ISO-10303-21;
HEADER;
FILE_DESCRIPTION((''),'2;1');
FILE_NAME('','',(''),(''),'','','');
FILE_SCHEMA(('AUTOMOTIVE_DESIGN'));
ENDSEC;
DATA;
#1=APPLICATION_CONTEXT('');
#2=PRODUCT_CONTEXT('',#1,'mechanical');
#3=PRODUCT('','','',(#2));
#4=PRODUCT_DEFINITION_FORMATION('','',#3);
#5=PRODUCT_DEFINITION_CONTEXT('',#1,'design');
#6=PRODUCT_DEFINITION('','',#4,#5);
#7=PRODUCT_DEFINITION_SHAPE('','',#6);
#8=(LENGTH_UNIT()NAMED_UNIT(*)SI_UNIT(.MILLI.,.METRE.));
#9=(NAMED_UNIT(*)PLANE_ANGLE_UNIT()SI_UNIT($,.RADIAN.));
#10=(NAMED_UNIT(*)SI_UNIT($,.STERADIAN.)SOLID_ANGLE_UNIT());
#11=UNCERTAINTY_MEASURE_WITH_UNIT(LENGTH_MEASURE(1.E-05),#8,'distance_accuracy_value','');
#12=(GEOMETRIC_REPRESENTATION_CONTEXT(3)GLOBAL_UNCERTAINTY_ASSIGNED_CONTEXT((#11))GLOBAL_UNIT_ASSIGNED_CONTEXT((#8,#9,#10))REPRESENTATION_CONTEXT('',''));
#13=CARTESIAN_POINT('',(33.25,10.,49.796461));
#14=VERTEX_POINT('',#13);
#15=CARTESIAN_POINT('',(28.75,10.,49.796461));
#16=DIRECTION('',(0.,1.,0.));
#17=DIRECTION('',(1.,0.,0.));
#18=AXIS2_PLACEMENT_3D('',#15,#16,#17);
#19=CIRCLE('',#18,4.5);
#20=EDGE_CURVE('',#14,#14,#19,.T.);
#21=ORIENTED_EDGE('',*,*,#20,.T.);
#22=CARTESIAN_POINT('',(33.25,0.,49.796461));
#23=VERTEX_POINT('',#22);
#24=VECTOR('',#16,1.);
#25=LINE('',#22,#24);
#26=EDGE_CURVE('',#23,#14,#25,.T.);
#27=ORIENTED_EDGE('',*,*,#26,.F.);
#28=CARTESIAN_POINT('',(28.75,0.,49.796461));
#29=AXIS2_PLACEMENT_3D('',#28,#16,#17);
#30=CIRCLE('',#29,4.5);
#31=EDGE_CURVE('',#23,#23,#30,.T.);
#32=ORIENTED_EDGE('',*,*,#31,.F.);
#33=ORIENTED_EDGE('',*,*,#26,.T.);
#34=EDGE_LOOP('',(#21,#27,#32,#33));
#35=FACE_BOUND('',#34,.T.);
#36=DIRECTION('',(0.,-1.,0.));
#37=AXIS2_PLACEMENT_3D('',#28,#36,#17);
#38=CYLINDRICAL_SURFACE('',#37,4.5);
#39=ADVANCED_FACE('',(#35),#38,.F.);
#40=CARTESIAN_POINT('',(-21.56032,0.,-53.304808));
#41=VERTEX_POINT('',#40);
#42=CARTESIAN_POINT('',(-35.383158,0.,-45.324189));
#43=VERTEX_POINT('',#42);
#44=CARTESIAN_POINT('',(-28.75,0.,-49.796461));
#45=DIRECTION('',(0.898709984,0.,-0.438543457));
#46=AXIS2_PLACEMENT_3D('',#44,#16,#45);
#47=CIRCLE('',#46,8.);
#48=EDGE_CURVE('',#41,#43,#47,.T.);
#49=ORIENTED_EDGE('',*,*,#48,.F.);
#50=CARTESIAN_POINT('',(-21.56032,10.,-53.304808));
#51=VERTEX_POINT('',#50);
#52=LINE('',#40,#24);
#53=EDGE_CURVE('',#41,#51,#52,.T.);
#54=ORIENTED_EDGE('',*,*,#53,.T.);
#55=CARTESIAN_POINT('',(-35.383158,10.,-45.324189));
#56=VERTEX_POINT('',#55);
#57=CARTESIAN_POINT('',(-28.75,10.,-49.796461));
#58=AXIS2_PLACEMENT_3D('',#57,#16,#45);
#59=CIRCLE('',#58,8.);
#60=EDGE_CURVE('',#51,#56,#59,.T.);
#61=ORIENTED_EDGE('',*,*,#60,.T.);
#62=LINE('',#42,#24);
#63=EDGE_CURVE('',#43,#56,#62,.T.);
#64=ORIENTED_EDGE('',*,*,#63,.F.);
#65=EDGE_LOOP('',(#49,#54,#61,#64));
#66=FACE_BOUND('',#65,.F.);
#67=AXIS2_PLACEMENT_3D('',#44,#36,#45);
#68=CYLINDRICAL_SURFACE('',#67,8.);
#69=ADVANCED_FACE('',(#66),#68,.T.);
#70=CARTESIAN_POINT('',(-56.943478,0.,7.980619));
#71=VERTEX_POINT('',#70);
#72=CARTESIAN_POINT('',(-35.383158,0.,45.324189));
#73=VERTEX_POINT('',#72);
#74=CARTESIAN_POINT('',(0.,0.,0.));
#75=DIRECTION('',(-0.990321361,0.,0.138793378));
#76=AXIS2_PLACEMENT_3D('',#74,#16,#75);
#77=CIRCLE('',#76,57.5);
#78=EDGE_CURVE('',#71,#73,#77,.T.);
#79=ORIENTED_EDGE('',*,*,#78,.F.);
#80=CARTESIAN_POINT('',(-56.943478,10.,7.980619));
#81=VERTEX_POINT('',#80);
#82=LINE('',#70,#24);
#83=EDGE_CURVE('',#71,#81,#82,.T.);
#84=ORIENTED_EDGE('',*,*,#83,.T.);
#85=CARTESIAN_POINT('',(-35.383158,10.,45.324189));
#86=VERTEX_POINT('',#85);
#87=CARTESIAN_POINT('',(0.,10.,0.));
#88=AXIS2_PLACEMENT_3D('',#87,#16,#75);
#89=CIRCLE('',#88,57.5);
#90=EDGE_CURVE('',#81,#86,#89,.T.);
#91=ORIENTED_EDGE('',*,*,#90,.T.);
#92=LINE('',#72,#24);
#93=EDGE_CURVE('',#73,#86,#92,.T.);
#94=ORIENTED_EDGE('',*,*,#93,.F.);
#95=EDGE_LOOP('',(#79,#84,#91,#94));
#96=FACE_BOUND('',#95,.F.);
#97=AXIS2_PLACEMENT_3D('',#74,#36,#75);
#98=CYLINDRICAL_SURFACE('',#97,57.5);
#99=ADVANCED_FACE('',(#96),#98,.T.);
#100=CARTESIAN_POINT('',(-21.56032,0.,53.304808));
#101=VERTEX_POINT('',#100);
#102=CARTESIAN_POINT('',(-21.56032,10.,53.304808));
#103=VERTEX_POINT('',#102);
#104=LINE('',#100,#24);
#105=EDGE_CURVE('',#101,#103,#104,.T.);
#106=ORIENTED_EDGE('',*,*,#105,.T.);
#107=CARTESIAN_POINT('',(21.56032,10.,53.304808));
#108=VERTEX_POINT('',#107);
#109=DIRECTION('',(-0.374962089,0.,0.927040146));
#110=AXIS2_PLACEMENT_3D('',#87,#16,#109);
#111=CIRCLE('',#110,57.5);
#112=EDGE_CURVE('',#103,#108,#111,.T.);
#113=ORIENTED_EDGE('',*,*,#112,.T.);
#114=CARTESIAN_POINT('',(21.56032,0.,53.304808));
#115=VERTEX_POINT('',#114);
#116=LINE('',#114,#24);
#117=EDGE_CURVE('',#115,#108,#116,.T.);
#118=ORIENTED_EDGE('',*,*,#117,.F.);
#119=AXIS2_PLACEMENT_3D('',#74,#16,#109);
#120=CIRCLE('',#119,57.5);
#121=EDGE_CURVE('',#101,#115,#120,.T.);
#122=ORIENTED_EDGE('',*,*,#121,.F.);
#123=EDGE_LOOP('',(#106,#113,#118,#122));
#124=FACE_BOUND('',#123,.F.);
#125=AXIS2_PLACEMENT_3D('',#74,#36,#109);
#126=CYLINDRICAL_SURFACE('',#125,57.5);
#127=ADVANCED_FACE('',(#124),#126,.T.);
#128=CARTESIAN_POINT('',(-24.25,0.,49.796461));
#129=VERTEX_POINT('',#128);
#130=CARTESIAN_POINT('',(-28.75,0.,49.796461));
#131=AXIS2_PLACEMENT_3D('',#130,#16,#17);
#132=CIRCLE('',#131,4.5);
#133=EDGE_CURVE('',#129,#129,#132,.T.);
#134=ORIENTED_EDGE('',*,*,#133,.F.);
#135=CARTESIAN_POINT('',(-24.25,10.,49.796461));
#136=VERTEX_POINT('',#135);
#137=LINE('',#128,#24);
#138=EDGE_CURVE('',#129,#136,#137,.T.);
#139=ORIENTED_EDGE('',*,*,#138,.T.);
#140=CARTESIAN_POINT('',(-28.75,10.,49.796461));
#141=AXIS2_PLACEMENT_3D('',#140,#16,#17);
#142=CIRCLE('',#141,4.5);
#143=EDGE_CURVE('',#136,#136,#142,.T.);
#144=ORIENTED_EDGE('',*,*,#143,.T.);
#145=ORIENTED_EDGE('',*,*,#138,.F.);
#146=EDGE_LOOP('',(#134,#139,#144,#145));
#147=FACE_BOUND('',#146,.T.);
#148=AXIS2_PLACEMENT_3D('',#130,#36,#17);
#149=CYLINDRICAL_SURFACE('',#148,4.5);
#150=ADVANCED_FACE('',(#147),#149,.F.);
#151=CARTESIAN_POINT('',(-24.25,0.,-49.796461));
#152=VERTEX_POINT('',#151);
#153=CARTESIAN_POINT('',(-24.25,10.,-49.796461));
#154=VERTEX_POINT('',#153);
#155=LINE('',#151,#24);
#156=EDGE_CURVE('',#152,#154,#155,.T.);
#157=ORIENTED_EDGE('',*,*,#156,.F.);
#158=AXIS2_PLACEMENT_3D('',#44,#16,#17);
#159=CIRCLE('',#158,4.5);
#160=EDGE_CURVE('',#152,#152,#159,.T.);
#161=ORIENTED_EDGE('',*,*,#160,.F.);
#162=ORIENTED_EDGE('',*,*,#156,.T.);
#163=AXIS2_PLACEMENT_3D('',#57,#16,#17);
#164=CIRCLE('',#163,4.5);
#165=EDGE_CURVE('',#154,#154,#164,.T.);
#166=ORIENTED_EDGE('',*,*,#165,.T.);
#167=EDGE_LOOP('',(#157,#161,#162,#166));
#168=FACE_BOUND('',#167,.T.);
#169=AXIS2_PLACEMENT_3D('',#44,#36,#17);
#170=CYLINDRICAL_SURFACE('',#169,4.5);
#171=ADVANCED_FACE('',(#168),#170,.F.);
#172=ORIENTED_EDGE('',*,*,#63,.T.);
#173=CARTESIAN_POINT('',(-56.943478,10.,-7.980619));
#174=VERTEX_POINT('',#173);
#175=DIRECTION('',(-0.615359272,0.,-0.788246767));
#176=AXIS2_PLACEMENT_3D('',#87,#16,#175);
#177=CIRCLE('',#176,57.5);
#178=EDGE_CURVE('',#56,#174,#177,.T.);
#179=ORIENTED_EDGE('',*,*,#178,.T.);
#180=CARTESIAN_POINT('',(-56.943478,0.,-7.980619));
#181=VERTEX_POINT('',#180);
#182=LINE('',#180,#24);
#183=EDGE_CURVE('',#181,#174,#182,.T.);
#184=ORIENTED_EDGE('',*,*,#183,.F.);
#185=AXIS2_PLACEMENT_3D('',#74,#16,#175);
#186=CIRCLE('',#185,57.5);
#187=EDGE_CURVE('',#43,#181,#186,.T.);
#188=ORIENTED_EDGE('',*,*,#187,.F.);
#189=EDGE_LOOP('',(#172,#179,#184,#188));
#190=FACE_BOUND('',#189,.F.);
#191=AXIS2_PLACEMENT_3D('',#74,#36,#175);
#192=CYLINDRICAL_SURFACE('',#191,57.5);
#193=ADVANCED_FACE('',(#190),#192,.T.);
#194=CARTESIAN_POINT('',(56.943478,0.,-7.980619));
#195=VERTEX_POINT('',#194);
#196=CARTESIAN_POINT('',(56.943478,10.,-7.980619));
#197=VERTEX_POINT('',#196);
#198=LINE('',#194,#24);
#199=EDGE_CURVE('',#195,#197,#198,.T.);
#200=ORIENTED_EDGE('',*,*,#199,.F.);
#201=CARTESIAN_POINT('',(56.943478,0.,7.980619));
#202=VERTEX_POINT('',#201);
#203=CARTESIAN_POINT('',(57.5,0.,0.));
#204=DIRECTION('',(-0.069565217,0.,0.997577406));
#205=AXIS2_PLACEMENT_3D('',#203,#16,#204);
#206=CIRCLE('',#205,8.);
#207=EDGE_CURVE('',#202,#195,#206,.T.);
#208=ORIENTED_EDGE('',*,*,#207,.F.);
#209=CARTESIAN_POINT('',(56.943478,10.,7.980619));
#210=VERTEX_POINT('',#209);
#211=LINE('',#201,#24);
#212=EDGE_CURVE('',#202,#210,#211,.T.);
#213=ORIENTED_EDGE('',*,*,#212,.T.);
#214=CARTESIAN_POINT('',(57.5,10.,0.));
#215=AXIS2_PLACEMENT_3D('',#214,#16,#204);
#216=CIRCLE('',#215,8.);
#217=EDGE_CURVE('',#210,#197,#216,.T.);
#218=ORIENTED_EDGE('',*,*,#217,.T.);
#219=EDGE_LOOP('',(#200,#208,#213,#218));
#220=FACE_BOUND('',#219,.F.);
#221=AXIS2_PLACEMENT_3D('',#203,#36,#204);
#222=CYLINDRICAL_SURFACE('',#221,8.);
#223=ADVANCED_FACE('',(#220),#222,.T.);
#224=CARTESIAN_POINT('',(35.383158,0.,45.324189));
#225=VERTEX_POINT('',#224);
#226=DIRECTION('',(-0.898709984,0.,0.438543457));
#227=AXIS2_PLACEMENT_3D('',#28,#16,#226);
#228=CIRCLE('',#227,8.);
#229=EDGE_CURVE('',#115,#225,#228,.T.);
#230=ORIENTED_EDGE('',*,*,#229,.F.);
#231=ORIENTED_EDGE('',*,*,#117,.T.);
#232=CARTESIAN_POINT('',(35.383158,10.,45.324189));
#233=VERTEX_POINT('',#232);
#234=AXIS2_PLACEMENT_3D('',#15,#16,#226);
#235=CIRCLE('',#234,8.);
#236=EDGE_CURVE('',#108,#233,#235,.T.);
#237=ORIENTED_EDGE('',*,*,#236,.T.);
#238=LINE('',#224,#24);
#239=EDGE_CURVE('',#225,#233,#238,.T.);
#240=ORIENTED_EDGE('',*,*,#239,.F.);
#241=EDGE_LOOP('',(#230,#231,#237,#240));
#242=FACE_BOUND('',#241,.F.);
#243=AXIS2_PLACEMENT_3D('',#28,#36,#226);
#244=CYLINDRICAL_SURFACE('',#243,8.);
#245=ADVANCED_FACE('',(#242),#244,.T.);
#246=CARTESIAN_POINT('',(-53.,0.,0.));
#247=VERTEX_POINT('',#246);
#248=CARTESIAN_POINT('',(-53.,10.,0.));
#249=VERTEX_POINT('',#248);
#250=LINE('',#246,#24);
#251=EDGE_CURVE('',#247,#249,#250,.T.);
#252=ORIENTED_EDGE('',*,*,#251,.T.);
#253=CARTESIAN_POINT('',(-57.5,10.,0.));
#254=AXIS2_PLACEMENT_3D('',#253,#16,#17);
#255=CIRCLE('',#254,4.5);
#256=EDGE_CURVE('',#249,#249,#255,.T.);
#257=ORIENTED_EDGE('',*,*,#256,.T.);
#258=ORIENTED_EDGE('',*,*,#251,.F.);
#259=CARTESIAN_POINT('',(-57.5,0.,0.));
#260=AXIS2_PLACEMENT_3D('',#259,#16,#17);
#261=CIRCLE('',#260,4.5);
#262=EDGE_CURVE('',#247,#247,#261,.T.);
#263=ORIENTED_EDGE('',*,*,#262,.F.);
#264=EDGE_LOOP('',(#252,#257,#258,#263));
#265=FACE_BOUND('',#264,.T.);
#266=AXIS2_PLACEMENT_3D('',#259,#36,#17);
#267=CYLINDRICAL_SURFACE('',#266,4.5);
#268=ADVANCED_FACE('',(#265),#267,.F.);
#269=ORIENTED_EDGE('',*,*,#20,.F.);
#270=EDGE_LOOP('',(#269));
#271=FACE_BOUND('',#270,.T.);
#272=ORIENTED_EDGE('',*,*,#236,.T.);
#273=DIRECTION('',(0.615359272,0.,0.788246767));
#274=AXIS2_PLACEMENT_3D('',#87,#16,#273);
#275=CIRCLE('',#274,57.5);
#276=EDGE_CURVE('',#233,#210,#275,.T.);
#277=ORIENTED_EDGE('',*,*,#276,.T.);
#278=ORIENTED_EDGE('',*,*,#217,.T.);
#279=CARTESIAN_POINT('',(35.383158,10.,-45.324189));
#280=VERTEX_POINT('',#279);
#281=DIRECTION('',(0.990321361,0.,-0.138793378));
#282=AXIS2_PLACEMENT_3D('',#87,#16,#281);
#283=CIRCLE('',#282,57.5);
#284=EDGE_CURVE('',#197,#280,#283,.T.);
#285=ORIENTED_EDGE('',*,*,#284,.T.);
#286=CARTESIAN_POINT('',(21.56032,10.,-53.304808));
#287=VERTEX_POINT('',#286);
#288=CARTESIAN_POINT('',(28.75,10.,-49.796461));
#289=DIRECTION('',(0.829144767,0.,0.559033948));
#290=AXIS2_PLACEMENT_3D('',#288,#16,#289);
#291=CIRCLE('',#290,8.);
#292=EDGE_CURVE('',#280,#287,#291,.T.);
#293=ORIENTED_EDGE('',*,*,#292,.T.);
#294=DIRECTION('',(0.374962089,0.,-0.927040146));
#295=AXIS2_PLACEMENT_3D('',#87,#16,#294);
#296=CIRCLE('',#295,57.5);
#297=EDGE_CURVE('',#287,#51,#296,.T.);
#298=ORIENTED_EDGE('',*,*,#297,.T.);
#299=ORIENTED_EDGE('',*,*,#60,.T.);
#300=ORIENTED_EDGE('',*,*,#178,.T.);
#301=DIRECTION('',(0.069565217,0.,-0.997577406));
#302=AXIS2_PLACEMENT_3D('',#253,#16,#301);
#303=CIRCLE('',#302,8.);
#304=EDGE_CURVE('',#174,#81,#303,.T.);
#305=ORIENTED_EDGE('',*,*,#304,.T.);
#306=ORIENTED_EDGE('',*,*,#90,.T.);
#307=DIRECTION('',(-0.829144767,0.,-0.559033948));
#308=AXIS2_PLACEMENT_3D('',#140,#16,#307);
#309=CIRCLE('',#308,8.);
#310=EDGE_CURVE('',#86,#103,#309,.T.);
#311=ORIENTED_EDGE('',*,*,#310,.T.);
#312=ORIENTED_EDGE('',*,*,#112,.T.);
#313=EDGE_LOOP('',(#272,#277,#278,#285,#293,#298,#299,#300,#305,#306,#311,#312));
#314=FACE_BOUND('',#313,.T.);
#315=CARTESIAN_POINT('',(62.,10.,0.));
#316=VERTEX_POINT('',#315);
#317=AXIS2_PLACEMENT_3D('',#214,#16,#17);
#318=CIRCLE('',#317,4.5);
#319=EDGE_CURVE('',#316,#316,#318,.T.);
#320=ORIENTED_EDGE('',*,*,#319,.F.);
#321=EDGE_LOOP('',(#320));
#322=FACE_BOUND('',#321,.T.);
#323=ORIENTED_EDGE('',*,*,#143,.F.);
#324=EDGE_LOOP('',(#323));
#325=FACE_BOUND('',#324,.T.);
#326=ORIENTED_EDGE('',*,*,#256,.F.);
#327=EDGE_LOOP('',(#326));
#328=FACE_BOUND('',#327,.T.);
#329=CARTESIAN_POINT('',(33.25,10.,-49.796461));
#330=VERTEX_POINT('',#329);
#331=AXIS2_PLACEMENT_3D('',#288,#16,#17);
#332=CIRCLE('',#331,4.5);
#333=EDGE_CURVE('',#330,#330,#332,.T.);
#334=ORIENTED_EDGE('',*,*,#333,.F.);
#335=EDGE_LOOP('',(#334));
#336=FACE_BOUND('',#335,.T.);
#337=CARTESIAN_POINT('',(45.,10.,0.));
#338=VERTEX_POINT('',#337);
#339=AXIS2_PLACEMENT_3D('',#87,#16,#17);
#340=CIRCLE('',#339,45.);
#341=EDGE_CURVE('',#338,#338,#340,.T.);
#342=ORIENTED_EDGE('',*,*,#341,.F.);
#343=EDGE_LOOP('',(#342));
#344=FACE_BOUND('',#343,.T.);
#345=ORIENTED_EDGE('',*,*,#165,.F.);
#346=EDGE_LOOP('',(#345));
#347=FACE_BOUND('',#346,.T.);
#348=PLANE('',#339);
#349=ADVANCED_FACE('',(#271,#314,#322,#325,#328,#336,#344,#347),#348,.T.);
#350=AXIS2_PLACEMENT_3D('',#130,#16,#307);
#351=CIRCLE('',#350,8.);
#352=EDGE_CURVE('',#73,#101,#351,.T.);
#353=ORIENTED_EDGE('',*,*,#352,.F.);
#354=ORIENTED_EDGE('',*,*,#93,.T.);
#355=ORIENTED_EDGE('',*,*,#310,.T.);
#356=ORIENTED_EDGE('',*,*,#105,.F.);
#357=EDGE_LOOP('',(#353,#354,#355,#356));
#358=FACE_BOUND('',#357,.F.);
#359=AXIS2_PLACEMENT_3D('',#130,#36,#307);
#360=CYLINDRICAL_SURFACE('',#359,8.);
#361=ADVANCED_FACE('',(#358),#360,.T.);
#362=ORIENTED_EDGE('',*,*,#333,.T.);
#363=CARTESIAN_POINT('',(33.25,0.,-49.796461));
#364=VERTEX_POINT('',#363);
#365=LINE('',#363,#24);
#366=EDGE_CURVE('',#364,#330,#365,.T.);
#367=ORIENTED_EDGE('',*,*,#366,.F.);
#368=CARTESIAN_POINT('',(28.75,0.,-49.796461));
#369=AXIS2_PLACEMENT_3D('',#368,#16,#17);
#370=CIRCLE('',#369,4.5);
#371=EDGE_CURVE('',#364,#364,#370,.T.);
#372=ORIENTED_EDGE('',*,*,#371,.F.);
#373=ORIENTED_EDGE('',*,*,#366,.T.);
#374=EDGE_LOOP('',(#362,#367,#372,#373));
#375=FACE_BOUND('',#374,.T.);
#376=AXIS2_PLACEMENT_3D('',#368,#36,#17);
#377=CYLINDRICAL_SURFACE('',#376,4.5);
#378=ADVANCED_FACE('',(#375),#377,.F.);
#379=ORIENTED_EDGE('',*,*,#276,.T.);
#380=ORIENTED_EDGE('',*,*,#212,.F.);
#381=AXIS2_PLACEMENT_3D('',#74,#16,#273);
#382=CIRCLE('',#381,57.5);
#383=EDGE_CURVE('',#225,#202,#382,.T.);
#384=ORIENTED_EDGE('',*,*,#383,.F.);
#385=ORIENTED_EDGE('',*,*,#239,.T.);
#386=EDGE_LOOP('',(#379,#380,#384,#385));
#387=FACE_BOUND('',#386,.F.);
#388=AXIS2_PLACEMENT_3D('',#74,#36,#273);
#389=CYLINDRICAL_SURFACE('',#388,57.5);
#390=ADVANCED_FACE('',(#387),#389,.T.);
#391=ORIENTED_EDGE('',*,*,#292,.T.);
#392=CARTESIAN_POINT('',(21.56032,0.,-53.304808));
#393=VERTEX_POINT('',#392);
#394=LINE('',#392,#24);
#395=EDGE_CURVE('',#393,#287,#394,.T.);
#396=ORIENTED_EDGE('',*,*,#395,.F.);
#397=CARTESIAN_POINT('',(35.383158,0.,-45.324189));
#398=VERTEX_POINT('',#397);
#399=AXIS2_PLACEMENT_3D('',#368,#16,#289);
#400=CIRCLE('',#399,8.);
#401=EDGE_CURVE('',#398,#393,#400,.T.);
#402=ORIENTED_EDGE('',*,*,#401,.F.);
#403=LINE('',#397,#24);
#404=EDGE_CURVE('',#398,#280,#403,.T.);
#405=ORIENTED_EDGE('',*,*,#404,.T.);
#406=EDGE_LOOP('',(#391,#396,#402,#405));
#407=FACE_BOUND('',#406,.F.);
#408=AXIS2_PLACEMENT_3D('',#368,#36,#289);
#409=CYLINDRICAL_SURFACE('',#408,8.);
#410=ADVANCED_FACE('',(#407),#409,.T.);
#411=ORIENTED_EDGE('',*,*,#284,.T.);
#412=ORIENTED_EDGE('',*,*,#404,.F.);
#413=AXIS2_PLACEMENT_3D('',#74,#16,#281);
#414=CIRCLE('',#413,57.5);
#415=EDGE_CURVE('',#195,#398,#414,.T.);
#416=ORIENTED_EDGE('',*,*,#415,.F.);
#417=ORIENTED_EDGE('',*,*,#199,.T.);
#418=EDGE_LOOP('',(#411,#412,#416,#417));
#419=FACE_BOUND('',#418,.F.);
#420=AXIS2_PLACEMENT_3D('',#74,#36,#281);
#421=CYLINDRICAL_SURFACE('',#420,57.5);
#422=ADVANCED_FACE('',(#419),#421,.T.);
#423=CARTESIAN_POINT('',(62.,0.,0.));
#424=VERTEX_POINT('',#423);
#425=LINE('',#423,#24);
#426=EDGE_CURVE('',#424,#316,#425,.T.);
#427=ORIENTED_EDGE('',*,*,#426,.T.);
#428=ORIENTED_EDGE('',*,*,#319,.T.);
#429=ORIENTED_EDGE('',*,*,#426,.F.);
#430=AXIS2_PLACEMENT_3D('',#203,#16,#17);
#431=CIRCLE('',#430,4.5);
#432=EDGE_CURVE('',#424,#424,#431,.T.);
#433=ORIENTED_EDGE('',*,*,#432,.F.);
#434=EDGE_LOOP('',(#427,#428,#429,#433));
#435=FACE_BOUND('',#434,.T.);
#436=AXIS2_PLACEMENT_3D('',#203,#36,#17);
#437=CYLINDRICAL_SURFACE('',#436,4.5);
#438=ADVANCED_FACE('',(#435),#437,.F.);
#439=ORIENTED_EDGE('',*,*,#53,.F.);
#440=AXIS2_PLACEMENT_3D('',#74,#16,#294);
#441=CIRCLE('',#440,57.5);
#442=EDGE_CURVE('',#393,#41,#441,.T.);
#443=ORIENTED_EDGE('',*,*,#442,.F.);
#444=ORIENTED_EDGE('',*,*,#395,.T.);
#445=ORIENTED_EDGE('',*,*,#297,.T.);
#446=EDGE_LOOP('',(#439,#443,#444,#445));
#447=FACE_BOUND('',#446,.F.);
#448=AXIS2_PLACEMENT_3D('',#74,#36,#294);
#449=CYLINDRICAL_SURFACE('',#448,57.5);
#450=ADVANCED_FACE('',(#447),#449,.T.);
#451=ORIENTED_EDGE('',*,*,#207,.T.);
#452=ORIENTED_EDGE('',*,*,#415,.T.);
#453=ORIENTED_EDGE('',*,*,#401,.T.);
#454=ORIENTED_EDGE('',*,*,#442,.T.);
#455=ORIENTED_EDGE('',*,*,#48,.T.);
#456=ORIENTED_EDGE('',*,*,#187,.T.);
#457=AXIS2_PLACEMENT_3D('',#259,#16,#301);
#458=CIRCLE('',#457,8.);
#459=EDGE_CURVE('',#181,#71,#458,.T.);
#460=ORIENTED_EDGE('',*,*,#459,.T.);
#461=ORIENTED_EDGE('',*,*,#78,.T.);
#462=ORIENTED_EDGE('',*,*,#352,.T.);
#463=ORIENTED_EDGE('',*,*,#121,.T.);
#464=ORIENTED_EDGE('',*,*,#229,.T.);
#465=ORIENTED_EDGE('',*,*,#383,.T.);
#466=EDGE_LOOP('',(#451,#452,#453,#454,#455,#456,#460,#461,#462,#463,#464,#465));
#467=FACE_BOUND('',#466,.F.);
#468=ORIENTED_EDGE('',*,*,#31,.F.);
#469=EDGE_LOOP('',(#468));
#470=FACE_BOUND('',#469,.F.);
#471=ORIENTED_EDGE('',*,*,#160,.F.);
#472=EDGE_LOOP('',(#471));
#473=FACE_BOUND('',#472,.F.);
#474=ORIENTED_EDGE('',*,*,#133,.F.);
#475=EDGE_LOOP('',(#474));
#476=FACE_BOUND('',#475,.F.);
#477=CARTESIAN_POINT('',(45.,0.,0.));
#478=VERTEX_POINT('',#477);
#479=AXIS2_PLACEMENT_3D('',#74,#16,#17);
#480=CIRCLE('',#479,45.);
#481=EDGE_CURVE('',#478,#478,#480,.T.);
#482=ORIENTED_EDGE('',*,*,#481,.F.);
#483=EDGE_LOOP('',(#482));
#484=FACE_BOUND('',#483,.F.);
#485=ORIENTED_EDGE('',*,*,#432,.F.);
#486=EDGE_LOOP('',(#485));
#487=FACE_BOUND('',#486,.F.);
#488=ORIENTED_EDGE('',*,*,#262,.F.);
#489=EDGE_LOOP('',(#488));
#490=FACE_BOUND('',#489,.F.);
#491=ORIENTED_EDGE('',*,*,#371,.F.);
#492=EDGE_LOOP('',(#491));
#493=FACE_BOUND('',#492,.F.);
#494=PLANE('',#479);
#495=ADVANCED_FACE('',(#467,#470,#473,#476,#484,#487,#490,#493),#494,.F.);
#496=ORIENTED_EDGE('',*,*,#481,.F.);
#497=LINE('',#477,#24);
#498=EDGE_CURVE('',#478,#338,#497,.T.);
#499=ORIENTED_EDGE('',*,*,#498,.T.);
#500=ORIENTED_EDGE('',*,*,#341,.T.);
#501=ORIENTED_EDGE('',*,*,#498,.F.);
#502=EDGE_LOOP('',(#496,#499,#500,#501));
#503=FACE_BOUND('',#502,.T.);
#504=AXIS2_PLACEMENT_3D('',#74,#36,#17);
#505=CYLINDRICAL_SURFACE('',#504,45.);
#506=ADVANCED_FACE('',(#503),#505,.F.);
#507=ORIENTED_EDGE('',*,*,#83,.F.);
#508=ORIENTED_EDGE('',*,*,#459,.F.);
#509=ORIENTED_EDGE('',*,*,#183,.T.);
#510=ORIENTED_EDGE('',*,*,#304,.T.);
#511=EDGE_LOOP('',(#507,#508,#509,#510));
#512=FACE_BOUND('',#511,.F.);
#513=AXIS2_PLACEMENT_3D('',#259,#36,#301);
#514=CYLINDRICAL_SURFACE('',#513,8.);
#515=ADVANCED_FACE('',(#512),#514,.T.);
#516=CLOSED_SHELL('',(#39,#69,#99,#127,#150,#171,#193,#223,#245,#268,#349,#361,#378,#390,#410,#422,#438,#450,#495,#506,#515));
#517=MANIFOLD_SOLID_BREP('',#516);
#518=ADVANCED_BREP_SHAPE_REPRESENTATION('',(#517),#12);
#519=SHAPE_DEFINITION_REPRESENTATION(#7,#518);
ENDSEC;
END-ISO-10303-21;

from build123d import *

# Parameters (mm, degrees)
SKETCH2_R           = 45
SKETCH2_R_2         = 4.5
BOSS_EXTRUDE1_DEPTH = 10


with BuildPart() as part:
    # Sketch2 → Boss-Extrude1 (new body)
    with BuildSketch(Plane(origin=(0, 0, 0), x_dir=(1, 0, 0), z_dir=(0, 1, 0))):
        with BuildLine():
            ThreePointArc((56.943478261, 7.980619246), (49.796460718, 28.75), (35.383158136, 45.324189131))
            ThreePointArc((35.383158136, 45.324189131), (32.75, 56.724663948), (21.560320125, 53.304808377))
            ThreePointArc((21.560320125, 53.304808377), (0, 57.5), (-21.560320125, 53.304808377))
            ThreePointArc((-21.560320125, 53.304808377), (-32.75, 56.724663948), (-35.383158136, 45.324189131))
            ThreePointArc((-35.383158136, 45.324189131), (-49.796460718, 28.75), (-56.943478261, 7.980619246))
            ThreePointArc((-56.943478261, 7.980619246), (-65.5, 0), (-56.943478261, -7.980619246))
            ThreePointArc((-56.943478261, -7.980619246), (-49.796460718, -28.75), (-35.383158136, -45.324189131))
            ThreePointArc((-35.383158136, -45.324189131), (-32.75, -56.724663948), (-21.560320125, -53.304808377))
            ThreePointArc((-21.560320125, -53.304808377), (0, -57.5), (21.560320125, -53.304808377))
            ThreePointArc((21.560320125, -53.304808377), (32.75, -56.724663948), (35.383158136, -45.324189131))
            ThreePointArc((35.383158136, -45.324189131), (49.796460718, -28.75), (56.943478261, -7.980619246))
            ThreePointArc((56.943478261, -7.980619246), (65.5, 0), (56.943478261, 7.980619246))
        make_face()
        Circle(SKETCH2_R, mode=Mode.SUBTRACT)
        with Locations((28.75, 49.796460718)):
            Circle(SKETCH2_R_2, mode=Mode.SUBTRACT)
        with Locations((-28.75, 49.796460718)):
            Circle(SKETCH2_R_2, mode=Mode.SUBTRACT)
        with Locations((57.5, 0)):
            Circle(SKETCH2_R_2, mode=Mode.SUBTRACT)
        with Locations((-57.5, 0)):
            Circle(SKETCH2_R_2, mode=Mode.SUBTRACT)
        with Locations((28.75, -49.796460718)):
            Circle(SKETCH2_R_2, mode=Mode.SUBTRACT)
        with Locations((-28.75, -49.796460718)):
            Circle(SKETCH2_R_2, mode=Mode.SUBTRACT)
    extrude(amount=BOSS_EXTRUDE1_DEPTH)


solid = part.part
